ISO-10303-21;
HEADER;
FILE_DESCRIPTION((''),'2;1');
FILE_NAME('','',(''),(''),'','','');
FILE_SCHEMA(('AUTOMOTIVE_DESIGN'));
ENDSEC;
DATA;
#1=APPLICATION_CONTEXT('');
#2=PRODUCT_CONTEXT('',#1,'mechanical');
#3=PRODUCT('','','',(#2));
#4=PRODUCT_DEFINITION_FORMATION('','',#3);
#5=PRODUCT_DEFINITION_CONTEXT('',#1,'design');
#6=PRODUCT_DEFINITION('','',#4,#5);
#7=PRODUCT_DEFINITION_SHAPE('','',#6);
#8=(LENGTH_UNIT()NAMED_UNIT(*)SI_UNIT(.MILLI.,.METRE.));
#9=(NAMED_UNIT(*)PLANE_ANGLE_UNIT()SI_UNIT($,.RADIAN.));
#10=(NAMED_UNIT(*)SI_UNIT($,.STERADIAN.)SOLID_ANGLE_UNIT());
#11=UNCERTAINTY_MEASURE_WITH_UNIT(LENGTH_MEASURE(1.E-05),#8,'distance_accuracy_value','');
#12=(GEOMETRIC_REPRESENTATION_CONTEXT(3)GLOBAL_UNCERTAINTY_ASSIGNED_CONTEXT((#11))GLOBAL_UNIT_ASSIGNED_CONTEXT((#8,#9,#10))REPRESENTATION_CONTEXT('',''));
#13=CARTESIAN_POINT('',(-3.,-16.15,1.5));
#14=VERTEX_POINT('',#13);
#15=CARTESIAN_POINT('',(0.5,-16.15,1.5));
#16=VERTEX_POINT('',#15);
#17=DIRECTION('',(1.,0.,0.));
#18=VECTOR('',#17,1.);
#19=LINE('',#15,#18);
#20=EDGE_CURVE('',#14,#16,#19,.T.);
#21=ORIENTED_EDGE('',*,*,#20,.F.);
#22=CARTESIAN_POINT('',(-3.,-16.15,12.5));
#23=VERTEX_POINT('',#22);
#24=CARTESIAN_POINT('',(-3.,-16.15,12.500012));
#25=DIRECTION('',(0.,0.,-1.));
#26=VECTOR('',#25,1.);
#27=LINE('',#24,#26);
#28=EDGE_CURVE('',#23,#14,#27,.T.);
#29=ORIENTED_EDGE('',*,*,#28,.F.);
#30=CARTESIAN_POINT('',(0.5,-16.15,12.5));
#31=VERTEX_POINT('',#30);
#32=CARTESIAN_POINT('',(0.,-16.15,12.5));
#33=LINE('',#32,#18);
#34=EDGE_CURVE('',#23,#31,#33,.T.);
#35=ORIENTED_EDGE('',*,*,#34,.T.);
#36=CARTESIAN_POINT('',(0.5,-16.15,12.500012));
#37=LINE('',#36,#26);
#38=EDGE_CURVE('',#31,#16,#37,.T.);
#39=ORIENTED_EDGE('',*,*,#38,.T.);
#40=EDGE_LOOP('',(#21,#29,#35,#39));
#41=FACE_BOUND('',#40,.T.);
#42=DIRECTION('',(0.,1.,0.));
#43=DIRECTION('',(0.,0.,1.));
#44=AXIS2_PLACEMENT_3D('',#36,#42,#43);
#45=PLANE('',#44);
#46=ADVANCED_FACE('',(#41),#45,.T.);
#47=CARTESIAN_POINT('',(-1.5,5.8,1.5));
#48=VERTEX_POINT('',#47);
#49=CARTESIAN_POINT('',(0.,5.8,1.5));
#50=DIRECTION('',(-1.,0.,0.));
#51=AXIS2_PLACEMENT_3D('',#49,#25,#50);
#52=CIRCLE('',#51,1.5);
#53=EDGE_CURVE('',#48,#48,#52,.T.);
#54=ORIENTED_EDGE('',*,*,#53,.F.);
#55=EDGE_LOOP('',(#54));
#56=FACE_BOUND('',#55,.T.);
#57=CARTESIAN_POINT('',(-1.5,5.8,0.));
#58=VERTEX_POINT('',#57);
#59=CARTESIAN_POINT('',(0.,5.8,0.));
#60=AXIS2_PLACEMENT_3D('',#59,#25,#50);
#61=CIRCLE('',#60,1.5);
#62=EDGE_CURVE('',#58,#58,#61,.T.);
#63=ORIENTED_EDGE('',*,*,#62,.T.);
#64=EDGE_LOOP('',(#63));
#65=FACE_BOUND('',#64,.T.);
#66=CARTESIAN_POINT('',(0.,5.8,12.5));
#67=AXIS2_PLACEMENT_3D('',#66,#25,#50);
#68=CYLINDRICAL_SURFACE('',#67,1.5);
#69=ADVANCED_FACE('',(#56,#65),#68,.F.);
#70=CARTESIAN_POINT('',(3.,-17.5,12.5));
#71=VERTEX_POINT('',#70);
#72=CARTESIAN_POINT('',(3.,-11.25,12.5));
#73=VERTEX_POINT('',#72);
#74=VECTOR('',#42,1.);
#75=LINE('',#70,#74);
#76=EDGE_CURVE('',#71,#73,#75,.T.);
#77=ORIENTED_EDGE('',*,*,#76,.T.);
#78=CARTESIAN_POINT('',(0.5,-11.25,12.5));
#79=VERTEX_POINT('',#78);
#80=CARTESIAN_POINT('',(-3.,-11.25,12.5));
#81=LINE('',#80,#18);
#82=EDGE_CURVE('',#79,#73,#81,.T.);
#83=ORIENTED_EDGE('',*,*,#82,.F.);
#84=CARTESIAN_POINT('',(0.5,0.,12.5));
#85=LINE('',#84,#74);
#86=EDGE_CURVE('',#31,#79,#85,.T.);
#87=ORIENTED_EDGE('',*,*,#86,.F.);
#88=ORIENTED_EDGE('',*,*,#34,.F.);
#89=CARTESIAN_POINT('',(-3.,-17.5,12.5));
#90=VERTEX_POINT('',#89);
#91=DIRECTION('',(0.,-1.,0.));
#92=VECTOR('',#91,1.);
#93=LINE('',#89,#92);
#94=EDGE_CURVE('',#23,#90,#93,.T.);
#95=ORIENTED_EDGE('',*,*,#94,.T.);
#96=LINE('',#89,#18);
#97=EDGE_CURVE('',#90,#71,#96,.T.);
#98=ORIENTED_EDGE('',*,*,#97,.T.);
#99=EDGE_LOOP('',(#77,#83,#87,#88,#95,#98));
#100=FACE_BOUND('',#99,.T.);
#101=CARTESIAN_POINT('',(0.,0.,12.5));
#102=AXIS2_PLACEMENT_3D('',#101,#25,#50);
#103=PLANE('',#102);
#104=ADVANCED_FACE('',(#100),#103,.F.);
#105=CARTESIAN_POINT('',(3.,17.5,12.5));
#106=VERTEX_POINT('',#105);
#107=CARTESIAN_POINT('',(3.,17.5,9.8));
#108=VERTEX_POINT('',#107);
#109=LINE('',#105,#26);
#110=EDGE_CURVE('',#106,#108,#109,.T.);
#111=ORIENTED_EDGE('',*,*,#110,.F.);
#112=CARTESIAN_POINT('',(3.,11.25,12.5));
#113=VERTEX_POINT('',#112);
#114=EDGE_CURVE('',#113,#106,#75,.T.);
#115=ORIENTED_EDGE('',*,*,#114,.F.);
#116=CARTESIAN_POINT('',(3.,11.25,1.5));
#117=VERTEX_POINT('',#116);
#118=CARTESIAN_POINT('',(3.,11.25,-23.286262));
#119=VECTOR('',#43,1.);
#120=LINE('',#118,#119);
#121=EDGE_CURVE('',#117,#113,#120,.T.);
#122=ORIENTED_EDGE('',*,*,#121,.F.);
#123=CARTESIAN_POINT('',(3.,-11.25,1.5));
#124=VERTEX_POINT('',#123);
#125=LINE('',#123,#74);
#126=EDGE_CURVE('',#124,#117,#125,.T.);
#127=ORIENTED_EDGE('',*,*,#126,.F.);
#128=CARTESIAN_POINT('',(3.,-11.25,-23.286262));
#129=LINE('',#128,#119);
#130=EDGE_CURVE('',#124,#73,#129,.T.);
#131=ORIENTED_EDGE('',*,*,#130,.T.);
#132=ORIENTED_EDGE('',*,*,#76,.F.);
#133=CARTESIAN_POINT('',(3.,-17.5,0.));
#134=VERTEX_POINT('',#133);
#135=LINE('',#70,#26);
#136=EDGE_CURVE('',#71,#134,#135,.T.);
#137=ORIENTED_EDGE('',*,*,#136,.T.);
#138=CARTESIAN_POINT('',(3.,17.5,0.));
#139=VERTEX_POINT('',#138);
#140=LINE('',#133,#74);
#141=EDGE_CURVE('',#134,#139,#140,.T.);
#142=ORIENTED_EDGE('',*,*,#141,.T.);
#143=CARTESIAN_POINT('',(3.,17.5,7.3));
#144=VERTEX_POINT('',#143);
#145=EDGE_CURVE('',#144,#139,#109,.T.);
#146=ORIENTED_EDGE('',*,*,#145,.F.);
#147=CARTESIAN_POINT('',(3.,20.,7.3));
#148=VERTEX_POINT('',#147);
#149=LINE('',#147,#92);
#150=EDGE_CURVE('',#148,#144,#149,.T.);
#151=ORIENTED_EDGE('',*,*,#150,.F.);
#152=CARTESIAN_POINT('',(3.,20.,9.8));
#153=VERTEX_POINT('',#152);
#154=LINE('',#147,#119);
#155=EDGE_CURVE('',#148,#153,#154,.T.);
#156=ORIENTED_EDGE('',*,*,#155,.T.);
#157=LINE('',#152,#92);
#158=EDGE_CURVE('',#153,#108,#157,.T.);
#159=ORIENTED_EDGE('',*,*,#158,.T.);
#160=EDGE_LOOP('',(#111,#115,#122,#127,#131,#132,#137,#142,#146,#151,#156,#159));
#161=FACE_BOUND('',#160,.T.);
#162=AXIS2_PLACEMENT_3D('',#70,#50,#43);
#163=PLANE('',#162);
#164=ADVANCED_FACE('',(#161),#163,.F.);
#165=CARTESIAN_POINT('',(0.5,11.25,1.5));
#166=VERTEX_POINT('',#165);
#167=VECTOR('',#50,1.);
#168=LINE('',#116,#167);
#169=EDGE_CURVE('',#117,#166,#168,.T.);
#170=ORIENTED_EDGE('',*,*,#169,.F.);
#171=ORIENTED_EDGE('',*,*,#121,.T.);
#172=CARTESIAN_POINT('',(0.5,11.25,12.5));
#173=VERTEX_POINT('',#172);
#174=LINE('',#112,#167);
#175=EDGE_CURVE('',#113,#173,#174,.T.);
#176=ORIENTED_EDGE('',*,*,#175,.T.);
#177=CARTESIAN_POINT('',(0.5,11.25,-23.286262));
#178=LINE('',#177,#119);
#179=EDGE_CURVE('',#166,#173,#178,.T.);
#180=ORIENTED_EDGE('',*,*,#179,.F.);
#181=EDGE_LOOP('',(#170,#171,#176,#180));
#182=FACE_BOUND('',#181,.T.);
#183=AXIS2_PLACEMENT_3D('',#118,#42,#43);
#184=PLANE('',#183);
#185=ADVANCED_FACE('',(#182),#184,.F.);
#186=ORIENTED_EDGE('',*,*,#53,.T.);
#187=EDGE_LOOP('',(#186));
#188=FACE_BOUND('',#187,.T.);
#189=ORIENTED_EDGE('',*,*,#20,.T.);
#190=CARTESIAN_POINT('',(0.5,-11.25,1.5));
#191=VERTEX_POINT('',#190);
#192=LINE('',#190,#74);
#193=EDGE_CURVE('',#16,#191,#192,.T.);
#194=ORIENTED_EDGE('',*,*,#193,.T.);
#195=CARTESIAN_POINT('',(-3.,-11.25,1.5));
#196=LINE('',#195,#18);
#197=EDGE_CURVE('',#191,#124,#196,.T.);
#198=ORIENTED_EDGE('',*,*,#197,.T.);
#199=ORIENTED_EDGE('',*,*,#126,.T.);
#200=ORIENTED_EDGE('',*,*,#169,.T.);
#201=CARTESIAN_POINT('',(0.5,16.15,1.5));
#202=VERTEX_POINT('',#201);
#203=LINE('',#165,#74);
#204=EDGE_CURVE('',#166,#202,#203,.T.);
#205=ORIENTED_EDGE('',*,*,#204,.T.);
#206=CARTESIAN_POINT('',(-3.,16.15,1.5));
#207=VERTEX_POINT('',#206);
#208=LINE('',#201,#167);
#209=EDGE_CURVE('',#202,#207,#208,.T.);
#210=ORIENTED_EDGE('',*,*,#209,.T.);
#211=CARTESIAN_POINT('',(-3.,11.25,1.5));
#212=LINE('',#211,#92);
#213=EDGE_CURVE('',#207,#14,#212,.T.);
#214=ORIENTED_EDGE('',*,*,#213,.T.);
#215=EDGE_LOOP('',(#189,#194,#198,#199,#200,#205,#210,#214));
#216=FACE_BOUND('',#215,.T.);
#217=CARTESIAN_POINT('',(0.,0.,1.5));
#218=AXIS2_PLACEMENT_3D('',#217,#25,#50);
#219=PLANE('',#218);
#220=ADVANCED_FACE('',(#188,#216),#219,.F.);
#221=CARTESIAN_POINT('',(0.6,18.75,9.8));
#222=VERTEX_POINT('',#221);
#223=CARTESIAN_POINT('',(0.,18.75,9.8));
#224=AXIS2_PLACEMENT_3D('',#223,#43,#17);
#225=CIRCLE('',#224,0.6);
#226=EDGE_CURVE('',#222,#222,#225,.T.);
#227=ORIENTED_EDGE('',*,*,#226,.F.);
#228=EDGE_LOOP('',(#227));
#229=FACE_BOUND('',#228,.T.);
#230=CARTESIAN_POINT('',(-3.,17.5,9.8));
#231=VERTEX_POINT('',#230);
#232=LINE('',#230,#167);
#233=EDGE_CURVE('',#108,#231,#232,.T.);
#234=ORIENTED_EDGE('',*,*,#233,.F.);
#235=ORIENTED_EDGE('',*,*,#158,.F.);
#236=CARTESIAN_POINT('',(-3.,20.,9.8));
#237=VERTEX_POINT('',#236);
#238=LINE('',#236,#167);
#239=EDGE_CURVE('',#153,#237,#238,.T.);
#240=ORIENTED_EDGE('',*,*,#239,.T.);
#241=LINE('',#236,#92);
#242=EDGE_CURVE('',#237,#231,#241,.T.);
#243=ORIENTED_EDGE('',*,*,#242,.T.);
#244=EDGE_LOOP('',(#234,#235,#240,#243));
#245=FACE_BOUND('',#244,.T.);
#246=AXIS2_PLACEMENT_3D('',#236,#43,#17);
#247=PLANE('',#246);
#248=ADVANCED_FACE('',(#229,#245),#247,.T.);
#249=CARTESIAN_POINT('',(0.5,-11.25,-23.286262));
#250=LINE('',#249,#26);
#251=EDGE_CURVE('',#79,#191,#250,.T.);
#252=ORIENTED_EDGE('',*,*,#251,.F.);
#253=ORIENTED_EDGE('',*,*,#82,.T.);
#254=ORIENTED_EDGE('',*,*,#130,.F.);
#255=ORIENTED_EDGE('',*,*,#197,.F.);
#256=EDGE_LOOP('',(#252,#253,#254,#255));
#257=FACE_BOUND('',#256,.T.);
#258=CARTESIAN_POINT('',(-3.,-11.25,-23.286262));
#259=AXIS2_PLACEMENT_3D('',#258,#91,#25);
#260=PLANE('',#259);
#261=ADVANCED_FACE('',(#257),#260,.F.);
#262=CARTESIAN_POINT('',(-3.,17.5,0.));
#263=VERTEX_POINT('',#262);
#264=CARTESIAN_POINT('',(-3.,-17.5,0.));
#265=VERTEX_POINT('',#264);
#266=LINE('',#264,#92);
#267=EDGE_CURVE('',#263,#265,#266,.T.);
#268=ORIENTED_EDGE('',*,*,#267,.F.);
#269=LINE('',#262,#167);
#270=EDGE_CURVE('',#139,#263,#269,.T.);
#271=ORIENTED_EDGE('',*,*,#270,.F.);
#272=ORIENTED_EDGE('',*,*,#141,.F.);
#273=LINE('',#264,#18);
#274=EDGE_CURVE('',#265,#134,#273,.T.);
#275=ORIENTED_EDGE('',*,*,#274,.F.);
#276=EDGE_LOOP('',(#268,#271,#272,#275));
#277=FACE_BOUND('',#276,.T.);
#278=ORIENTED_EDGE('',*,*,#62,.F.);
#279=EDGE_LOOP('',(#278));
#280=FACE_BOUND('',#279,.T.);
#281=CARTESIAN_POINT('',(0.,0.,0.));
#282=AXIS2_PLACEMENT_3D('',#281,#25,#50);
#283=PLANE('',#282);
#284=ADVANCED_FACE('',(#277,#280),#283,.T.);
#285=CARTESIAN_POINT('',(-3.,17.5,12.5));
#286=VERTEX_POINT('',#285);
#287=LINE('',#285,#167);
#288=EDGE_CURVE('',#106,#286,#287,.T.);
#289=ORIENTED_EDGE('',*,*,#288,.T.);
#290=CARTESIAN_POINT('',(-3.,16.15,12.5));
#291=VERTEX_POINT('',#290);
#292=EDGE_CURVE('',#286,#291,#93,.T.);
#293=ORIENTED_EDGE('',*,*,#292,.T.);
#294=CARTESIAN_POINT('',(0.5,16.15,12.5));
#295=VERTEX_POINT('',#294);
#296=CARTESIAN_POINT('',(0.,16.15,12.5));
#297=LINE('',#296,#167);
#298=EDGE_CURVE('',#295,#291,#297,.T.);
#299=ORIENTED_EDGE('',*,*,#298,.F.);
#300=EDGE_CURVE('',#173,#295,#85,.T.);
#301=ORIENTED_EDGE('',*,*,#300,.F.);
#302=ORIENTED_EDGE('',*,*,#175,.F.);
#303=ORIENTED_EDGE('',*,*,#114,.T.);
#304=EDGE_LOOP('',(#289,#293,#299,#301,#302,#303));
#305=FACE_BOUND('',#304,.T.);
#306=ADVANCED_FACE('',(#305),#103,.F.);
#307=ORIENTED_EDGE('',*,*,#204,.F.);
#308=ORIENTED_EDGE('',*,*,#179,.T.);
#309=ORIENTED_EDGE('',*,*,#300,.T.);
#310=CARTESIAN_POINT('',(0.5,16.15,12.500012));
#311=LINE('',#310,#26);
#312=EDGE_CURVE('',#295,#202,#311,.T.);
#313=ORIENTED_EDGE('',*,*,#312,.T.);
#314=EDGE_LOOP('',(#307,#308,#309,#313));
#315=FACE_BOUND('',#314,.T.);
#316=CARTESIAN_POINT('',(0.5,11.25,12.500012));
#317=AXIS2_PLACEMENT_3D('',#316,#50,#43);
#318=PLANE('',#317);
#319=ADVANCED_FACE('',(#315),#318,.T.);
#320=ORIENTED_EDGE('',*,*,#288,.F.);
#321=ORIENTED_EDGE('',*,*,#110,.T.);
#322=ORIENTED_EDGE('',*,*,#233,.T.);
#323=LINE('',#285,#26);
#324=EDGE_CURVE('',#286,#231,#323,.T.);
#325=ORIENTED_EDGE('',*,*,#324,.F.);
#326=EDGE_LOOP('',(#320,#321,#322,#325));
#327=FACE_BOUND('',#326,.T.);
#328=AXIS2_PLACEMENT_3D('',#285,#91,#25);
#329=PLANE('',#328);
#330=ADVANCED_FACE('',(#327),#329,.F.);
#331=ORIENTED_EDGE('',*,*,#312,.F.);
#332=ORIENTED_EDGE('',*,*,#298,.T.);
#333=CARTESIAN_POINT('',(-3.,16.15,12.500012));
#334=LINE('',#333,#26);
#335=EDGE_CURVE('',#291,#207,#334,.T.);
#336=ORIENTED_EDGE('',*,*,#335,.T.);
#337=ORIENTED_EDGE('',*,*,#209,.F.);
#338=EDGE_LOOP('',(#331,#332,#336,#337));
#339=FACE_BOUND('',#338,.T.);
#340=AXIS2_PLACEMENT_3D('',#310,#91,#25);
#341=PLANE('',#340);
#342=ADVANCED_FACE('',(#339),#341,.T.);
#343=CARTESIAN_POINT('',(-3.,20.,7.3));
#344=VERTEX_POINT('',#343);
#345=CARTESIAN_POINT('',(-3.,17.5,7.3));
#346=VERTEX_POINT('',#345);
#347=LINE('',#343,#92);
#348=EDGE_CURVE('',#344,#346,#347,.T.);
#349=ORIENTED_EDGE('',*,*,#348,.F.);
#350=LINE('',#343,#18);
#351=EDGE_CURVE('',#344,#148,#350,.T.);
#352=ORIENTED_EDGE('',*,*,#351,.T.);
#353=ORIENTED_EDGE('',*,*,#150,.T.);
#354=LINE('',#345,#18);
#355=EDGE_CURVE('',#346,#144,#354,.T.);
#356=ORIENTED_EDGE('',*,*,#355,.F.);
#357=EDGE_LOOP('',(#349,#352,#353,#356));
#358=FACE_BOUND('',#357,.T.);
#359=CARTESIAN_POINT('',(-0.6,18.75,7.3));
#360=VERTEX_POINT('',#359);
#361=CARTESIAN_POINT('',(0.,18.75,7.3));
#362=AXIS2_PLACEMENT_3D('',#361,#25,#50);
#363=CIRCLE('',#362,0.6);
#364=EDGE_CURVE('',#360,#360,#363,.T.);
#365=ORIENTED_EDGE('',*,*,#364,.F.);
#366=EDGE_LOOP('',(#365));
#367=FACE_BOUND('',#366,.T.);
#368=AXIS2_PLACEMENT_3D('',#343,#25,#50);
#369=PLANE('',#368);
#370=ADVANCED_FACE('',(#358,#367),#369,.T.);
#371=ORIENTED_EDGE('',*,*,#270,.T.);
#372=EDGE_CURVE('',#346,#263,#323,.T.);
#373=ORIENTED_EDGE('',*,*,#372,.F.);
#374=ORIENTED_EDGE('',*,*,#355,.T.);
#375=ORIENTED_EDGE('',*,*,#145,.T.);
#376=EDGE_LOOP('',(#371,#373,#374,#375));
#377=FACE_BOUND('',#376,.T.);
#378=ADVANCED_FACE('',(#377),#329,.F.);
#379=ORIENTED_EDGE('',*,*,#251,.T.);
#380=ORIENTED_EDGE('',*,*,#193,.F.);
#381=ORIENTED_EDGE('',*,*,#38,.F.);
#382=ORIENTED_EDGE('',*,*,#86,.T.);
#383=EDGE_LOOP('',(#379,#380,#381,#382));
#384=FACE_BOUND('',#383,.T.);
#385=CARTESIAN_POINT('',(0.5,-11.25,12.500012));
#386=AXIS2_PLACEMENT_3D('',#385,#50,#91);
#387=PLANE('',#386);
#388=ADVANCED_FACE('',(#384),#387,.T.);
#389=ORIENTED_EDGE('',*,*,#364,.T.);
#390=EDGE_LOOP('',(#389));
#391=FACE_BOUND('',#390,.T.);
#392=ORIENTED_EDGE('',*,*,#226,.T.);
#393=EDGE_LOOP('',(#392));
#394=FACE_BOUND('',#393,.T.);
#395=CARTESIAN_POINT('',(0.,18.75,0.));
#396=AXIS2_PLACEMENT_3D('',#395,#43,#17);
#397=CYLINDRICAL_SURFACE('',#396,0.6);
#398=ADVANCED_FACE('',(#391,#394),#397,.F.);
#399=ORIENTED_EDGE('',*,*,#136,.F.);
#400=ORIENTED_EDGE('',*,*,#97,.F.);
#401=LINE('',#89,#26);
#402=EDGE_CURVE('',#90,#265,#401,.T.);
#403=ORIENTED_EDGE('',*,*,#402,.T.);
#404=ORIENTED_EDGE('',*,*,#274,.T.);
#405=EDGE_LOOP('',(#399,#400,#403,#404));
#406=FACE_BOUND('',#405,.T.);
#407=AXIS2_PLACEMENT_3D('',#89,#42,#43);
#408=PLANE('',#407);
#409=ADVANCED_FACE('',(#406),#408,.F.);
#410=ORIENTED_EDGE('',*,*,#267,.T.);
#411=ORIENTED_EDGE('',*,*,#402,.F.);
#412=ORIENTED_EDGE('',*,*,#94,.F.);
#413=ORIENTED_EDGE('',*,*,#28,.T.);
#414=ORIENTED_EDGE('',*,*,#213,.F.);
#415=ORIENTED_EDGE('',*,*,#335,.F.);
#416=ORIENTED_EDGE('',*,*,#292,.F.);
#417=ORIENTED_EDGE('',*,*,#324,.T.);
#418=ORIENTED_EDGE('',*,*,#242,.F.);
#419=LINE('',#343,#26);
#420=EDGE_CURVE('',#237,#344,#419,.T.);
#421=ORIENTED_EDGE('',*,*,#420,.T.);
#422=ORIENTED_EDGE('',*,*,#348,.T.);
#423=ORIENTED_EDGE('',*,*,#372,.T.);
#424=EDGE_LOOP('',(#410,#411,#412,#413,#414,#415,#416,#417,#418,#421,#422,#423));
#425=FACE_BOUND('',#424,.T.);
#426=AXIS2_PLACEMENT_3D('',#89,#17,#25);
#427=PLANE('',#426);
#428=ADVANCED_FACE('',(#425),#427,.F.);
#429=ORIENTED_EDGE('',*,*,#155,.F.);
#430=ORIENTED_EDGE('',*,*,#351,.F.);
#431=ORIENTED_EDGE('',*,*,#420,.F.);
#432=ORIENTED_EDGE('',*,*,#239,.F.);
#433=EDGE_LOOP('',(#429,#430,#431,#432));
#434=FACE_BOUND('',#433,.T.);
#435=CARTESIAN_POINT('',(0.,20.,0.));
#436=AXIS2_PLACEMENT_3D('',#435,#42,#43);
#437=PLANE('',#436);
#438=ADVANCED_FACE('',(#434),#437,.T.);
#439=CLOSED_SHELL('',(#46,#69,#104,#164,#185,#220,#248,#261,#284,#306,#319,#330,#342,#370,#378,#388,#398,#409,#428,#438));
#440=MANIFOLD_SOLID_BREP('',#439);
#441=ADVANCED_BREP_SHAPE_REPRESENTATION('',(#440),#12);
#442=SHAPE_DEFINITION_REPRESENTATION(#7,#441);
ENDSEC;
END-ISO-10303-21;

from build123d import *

# Parameters (mm, degrees)
CROQUIS1_W                 = 6
CROQUIS1_H                 = 35
SALIENTE_EXTRUIR1_DEPTH    = 12.5
CROQUIS2_W                 = 6
CROQUIS2_H                 = 22.5
CORTAR_EXTRUIR1_DEPTH      = 11
CROQUIS3_R                 = 1.5
CORTAR_EXTRUIR2_DEPTH      = 1
CORTAR_EXTRUIR2_DEPTH_BACK = 13.5
CROQUIS4_W                 = 3.5
CROQUIS4_H                 = 4.9
CORTAR_EXTRUIR3_DEPTH      = 1
CORTAR_EXTRUIR3_DEPTH_BACK = 11
CROQUIS5_W                 = 6
CROQUIS5_H                 = 2.5
SALIENTE_EXTRUIR2_DEPTH    = 2.5
CROQUIS6_R                 = 0.6
CORTAR_EXTRUIR4_DEPTH      = 3.7
CORTAR_EXTRUIR4_DEPTH_BACK = 10.8


with BuildPart() as part:
    # Croquis1 → Saliente-Extruir1 (new body)
    with BuildSketch(Plane.XY):
        Rectangle(CROQUIS1_W, CROQUIS1_H)
    extrude(amount=SALIENTE_EXTRUIR1_DEPTH)

    # Croquis2 → Cortar-Extruir1 (cut)
    with BuildSketch(Plane.XY.offset(12.5)):
        Rectangle(CROQUIS2_W, CROQUIS2_H)
    extrude(amount=-CORTAR_EXTRUIR1_DEPTH, mode=Mode.SUBTRACT)

    # Croquis3 → Cortar-Extruir2 (cut, two sides)
    with BuildSketch(Plane(origin=(0, 0, 0), x_dir=(-1, 0, 0), z_dir=(0, 0, -1))) as cortar_extruir2_sk:
        with Locations((0, 5.8)):
            Circle(CROQUIS3_R)
    extrude(amount=CORTAR_EXTRUIR2_DEPTH, mode=Mode.SUBTRACT)
    extrude(cortar_extruir2_sk.sketch, amount=-CORTAR_EXTRUIR2_DEPTH_BACK, mode=Mode.SUBTRACT)

    # Croquis4 → Cortar-Extruir3 (cut, two sides)
    with BuildSketch(Plane.XY.offset(12.5)) as cortar_extruir3_sk:
        with Locations((-1.25, 13.7)):
            Rectangle(CROQUIS4_W, CROQUIS4_H)
        with Locations((-1.25, -13.7)):
            Rectangle(CROQUIS4_W, CROQUIS4_H)
    extrude(amount=CORTAR_EXTRUIR3_DEPTH, mode=Mode.SUBTRACT)
    extrude(cortar_extruir3_sk.sketch, amount=-CORTAR_EXTRUIR3_DEPTH_BACK, mode=Mode.SUBTRACT)

    # Croquis5 → Saliente-Extruir2 (add)
    with BuildSketch(Plane.XZ.offset(-17.5)):
        with Locations((0, 8.55)):
            Rectangle(CROQUIS5_W, CROQUIS5_H)
    extrude(amount=-SALIENTE_EXTRUIR2_DEPTH)

    # Croquis6 → Cortar-Extruir4 (cut, two sides)
    with BuildSketch(Plane.XY.offset(9.8)) as cortar_extruir4_sk:
        with Locations((0, 18.75)):
            Circle(CROQUIS6_R)
    extrude(amount=CORTAR_EXTRUIR4_DEPTH, mode=Mode.SUBTRACT)
    extrude(cortar_extruir4_sk.sketch, amount=-CORTAR_EXTRUIR4_DEPTH_BACK, mode=Mode.SUBTRACT)


solid = part.part
